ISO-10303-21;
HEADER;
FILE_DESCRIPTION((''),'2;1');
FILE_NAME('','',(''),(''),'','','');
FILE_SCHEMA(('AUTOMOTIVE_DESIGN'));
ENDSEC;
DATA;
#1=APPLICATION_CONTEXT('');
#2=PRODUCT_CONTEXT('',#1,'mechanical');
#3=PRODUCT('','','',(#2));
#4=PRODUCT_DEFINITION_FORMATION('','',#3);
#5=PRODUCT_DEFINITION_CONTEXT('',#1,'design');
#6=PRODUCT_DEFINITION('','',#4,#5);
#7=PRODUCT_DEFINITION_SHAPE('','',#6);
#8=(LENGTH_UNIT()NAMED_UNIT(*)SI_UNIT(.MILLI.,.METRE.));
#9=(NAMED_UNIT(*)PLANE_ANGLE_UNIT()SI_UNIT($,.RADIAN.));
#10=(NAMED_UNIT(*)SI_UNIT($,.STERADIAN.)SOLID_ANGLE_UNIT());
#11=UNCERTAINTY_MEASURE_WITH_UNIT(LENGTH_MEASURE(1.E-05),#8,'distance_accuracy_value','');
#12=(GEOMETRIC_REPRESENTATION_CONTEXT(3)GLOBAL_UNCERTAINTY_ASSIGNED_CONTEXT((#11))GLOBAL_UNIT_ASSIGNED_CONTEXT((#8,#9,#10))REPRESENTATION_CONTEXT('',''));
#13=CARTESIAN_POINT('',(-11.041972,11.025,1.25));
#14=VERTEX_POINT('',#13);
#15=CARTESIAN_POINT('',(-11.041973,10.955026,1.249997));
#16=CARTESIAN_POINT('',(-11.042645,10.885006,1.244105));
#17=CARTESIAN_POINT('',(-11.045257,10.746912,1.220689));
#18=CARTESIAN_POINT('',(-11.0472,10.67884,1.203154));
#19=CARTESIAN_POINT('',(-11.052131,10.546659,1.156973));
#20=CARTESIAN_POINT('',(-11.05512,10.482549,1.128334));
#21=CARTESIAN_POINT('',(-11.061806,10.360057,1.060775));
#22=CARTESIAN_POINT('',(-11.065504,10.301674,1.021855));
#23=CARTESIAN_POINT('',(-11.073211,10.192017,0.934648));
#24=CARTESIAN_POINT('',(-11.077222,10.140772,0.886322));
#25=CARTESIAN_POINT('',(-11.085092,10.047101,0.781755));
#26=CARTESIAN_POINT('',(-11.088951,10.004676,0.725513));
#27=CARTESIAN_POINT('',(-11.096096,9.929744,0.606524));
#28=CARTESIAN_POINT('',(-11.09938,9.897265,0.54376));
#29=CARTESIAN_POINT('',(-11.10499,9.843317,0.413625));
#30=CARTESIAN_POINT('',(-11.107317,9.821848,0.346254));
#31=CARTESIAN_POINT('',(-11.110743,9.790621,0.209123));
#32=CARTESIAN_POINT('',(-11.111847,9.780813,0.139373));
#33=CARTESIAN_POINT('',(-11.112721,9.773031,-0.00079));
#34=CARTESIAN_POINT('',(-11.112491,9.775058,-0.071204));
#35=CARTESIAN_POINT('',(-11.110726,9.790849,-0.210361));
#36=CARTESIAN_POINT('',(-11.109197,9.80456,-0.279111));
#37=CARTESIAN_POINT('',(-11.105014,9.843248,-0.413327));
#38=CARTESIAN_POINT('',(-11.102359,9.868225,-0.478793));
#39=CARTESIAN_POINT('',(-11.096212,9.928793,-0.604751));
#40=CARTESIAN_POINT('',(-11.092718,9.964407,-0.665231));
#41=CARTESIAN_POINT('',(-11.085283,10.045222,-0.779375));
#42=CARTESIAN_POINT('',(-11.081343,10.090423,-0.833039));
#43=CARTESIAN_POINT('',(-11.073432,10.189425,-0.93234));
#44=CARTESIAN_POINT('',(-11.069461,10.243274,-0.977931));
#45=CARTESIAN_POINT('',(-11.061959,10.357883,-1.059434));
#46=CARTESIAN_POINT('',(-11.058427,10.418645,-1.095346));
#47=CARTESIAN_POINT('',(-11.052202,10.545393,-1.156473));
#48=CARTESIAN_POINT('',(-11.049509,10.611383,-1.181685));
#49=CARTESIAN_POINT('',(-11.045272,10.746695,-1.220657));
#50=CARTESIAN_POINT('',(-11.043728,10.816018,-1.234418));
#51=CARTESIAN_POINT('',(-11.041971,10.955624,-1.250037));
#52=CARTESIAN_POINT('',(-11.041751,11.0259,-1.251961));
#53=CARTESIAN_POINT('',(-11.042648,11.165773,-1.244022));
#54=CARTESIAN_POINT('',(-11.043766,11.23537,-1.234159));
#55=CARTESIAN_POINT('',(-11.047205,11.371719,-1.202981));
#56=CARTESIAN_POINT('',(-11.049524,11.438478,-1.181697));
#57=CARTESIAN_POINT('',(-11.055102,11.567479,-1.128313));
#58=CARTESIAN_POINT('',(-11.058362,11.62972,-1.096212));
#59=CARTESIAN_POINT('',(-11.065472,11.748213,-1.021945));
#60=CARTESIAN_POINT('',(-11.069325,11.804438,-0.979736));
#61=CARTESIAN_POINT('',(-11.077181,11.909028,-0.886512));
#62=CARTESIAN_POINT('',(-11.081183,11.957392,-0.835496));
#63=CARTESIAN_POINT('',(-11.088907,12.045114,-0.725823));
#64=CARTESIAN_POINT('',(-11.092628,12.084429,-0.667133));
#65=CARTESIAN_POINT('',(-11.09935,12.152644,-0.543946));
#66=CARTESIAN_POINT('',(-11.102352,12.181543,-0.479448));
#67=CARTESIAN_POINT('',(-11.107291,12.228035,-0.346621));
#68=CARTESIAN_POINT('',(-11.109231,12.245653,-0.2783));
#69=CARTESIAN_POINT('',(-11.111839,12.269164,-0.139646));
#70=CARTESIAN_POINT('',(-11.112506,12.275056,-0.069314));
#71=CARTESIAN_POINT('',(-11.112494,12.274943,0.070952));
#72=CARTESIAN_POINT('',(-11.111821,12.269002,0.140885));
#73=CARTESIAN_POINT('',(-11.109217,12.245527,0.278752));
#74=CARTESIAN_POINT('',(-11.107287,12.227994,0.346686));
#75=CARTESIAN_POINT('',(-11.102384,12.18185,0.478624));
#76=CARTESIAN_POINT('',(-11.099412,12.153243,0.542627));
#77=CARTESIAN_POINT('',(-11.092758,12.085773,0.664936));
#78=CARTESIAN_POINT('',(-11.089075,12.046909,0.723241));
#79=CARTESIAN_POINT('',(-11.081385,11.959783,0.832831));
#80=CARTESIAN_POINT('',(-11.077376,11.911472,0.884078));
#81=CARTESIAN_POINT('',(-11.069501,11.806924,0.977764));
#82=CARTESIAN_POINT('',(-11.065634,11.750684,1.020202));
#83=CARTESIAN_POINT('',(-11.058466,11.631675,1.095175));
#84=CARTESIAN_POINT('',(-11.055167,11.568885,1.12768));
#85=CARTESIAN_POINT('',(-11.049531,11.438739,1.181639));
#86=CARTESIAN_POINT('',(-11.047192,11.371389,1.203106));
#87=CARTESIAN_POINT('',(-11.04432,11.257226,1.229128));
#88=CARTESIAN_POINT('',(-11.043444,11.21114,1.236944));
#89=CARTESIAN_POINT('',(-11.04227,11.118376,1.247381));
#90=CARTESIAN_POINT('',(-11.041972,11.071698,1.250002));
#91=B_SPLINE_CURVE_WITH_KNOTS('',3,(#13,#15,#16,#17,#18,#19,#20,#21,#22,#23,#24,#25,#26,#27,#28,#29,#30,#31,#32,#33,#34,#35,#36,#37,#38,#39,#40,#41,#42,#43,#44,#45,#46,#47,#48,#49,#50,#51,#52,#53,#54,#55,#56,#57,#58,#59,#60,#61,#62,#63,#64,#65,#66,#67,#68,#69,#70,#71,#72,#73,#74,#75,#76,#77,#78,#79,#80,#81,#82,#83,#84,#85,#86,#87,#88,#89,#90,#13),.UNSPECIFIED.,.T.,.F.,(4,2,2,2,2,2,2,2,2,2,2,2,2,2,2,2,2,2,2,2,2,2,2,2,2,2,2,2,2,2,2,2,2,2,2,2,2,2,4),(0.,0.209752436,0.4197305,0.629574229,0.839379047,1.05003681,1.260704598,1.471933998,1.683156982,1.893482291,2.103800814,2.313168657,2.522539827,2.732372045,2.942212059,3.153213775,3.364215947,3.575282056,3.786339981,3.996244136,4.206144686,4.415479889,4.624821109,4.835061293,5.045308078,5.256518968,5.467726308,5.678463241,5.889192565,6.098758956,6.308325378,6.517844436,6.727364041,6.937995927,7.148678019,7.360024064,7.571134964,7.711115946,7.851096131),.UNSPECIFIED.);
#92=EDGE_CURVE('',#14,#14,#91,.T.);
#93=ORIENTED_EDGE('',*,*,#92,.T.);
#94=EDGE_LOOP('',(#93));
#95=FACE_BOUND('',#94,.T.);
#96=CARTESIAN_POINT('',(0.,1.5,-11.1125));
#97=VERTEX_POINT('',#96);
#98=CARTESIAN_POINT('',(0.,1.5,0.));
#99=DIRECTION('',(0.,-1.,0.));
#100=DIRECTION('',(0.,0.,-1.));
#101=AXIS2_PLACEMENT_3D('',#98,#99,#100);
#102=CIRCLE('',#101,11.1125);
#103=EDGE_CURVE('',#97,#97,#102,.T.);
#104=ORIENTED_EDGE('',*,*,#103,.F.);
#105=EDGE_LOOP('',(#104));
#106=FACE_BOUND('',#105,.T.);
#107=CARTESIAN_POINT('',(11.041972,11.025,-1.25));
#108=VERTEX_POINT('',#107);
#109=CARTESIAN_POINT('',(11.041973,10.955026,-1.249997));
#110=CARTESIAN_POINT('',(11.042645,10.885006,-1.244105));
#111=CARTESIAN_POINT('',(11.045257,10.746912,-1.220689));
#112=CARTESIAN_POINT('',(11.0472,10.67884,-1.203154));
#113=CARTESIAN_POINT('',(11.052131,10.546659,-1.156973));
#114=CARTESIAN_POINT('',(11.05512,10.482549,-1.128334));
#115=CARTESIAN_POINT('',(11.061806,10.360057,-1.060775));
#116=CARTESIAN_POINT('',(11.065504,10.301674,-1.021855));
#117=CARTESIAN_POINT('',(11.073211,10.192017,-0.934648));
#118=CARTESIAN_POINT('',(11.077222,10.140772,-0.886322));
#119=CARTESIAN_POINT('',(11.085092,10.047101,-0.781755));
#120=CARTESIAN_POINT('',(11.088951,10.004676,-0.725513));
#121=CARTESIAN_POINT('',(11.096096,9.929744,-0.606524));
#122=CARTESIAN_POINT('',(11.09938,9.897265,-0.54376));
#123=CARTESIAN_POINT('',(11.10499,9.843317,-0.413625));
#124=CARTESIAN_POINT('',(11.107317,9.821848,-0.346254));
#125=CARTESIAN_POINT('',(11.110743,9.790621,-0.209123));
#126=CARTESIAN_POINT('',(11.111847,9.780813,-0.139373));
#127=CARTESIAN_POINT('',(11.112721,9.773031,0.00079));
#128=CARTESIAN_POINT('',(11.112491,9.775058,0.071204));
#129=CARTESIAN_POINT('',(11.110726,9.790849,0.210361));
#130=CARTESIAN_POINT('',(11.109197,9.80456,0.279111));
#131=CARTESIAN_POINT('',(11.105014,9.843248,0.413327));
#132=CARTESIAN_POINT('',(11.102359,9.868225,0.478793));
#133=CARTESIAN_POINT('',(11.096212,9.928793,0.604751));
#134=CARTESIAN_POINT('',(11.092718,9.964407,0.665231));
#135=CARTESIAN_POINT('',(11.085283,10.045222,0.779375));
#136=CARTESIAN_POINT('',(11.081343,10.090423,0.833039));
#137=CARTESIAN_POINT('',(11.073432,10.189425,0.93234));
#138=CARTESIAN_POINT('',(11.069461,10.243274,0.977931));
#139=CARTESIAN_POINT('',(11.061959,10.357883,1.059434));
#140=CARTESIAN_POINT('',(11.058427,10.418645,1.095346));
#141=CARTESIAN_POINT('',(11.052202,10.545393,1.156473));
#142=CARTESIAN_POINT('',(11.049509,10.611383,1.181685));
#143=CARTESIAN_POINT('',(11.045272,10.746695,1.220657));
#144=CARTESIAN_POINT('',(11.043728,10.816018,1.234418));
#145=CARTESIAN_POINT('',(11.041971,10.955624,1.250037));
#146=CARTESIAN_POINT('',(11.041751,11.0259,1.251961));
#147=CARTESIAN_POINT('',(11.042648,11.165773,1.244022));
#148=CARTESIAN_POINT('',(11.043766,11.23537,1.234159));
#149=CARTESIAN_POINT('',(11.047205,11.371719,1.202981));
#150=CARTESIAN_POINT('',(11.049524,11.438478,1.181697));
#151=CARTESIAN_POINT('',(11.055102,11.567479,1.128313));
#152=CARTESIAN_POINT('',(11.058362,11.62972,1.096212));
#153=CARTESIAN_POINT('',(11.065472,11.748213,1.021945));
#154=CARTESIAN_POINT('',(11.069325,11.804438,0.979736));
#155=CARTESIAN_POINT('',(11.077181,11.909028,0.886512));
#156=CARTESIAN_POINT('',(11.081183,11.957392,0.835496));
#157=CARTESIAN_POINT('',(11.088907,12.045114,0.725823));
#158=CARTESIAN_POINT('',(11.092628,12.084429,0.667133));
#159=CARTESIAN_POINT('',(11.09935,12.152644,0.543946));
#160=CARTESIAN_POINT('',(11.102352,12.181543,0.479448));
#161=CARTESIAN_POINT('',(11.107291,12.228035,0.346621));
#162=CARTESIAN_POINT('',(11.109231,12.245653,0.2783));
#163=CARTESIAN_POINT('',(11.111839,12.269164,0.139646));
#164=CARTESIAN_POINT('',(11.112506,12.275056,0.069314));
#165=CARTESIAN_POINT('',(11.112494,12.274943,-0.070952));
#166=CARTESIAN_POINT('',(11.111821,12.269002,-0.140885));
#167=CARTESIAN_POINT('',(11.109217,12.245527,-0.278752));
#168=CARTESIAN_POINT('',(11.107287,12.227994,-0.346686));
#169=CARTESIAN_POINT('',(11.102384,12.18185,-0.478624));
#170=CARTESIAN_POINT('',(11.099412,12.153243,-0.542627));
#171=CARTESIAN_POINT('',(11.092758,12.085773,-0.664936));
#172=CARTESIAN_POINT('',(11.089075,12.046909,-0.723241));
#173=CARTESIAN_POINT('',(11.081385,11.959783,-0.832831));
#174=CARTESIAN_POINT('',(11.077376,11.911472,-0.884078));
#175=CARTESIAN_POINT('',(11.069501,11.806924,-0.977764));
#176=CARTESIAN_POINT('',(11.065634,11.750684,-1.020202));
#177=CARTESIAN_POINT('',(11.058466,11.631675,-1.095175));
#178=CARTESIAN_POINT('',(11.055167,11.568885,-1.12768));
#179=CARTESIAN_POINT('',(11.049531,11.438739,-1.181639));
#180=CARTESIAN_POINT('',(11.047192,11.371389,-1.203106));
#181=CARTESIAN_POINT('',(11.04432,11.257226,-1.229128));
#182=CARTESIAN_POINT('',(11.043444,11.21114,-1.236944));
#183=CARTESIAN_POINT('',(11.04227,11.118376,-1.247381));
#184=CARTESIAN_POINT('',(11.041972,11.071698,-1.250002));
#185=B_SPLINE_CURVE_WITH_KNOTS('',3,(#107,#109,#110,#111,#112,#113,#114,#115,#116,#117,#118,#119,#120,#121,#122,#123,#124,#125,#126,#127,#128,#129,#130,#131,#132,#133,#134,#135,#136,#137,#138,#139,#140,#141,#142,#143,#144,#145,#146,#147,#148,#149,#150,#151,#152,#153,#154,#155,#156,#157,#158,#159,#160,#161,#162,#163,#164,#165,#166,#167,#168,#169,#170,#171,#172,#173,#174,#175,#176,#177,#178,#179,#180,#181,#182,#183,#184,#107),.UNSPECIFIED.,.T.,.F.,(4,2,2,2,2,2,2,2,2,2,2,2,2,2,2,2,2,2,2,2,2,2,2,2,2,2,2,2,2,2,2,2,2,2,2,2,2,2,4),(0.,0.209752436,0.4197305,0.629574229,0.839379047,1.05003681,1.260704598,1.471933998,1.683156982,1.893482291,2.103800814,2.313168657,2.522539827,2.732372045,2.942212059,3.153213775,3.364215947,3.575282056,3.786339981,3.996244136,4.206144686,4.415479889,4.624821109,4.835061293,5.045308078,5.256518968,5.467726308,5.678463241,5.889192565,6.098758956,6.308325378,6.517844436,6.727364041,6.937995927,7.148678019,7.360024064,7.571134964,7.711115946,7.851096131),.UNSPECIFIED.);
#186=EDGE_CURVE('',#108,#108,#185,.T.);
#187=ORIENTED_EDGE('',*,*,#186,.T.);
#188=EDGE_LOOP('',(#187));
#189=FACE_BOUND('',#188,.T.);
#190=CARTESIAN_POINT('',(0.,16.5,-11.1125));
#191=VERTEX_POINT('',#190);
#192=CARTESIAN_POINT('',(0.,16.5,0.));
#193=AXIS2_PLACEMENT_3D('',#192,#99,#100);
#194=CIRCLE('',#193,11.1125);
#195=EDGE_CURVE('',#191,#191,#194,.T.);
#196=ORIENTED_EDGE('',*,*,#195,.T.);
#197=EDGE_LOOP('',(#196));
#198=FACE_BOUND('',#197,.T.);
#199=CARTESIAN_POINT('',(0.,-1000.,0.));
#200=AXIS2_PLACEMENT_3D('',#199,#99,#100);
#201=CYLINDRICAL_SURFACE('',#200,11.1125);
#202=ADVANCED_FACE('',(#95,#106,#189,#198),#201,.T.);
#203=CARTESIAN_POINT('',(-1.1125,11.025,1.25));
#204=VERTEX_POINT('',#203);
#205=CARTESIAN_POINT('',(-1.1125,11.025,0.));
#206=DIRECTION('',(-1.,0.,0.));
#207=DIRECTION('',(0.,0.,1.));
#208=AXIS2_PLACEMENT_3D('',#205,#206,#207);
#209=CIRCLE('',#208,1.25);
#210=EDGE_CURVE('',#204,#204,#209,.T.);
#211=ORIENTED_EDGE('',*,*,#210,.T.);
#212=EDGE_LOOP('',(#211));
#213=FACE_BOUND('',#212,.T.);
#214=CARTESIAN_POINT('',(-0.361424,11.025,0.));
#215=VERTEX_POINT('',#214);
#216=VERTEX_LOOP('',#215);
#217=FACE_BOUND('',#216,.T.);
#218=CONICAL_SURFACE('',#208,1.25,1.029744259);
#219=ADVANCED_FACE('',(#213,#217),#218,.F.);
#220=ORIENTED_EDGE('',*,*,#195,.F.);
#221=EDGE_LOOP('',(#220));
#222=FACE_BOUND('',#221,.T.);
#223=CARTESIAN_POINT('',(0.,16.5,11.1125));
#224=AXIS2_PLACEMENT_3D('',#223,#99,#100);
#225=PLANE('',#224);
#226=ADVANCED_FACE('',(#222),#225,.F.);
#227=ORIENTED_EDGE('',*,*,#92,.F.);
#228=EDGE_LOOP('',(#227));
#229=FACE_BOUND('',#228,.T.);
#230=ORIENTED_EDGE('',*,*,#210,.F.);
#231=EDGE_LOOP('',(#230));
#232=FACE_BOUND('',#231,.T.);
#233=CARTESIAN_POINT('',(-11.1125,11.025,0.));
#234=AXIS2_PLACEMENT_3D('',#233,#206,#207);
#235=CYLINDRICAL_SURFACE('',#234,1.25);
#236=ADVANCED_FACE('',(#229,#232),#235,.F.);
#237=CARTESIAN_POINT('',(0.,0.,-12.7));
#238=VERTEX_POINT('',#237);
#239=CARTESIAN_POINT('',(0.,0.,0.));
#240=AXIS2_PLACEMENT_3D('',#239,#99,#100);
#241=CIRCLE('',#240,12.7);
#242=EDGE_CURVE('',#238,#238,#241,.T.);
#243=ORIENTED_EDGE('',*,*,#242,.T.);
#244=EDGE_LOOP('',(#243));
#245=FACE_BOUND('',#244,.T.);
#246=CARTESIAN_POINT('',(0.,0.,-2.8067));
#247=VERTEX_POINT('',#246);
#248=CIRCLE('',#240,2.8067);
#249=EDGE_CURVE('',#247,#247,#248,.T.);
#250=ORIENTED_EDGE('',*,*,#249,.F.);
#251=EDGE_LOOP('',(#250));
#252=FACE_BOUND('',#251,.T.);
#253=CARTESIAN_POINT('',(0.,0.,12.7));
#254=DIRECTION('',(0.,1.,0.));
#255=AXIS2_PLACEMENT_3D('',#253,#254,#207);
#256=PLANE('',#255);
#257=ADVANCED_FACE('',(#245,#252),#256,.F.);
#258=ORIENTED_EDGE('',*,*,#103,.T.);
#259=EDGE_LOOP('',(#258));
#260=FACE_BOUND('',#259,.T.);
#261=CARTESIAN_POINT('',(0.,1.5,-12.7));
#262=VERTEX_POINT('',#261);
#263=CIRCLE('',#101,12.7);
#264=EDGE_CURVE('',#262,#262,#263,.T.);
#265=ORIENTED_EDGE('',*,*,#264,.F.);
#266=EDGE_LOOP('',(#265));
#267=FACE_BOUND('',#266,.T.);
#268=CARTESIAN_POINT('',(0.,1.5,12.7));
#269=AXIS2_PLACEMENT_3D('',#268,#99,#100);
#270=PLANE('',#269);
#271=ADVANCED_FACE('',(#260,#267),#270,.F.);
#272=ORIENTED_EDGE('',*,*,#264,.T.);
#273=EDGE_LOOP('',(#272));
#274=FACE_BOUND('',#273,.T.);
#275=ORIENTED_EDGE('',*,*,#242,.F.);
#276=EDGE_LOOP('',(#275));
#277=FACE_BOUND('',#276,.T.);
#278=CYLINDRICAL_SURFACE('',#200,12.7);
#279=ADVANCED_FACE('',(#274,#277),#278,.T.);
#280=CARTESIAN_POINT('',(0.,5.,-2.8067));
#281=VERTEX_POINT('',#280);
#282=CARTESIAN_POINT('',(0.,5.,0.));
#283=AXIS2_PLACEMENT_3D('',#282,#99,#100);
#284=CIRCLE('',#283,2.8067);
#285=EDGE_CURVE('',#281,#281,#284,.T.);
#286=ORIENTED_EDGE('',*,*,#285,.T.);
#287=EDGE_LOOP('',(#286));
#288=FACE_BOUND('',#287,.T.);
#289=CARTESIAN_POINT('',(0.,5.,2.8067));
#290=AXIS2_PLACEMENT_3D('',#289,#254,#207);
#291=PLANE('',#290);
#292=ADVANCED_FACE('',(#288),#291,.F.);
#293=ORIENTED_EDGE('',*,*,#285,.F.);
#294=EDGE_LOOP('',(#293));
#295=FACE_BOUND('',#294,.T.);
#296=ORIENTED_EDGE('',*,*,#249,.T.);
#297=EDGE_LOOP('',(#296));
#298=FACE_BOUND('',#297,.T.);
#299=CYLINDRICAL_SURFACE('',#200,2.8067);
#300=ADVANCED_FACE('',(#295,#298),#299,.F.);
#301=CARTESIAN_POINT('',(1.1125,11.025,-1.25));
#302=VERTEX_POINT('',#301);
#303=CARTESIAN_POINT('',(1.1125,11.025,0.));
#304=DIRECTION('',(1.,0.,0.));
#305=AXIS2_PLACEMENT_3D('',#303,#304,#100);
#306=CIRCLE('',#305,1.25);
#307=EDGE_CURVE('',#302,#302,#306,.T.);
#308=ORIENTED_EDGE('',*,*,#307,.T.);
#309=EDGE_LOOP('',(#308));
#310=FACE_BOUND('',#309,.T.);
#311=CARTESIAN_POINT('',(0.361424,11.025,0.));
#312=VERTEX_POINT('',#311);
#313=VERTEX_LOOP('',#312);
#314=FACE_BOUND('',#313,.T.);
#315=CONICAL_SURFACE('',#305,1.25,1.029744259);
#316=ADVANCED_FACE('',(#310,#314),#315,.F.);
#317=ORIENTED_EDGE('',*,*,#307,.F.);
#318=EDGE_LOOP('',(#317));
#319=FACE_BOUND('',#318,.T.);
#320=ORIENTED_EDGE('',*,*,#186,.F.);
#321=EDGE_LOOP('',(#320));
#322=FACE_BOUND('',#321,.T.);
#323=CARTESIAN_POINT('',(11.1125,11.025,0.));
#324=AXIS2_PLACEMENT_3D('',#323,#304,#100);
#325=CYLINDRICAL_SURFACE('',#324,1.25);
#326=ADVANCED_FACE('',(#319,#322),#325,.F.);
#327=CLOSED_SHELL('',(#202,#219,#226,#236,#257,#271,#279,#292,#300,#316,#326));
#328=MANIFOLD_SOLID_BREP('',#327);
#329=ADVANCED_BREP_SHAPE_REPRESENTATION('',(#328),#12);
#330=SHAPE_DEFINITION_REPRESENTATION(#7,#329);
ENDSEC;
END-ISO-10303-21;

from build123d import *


with BuildPart() as part:
    # Sketch1 → Revolve1 (revolve)
    with BuildSketch(Plane(origin=(0, 0, 0), x_dir=(0, 0, -1), z_dir=(1, 0, 0)), mode=Mode.PRIVATE) as revolve1_sk:
        Polygon((-12.7, 0), (-12.7, 1.5), (-11.1125, 1.5), (-11.1125, 16.5), (0, 16.5), (0, 5), (-2.8067, 5), (-2.8067, 0), align=None)
    revolve(revolve1_sk.sketch.rotate(Axis((0, -1000, 0), (0, 1, 0)), 180), axis=Axis((0, -1000, 0), (0, 1, 0)))

    # Sketch4 → M3x0.5 Tapped Hole1 (revolve, cut)
    with BuildSketch(Plane(origin=(11.1125, 11.025, 0), x_dir=(0, 0, -1), z_dir=(0, 1, 0))):
        Polygon((0, 0), (0, 10.751075774), (1.25, 10), (1.25, 0), align=None)
    m3x0_5_tapped_hole1 = revolve(axis=Axis((17.4625, 11.025, 0), (-1, 0, 0)), mode=Mode.SUBTRACT)

    # Mirror1: M3x0.5 Tapped Hole1 across plane
    add(m3x0_5_tapped_hole1.mirror(Plane(origin=(0, 0, 0), x_dir=(0, 0, 1), z_dir=(1, 0, 0))), mode=Mode.SUBTRACT)


solid = part.part
